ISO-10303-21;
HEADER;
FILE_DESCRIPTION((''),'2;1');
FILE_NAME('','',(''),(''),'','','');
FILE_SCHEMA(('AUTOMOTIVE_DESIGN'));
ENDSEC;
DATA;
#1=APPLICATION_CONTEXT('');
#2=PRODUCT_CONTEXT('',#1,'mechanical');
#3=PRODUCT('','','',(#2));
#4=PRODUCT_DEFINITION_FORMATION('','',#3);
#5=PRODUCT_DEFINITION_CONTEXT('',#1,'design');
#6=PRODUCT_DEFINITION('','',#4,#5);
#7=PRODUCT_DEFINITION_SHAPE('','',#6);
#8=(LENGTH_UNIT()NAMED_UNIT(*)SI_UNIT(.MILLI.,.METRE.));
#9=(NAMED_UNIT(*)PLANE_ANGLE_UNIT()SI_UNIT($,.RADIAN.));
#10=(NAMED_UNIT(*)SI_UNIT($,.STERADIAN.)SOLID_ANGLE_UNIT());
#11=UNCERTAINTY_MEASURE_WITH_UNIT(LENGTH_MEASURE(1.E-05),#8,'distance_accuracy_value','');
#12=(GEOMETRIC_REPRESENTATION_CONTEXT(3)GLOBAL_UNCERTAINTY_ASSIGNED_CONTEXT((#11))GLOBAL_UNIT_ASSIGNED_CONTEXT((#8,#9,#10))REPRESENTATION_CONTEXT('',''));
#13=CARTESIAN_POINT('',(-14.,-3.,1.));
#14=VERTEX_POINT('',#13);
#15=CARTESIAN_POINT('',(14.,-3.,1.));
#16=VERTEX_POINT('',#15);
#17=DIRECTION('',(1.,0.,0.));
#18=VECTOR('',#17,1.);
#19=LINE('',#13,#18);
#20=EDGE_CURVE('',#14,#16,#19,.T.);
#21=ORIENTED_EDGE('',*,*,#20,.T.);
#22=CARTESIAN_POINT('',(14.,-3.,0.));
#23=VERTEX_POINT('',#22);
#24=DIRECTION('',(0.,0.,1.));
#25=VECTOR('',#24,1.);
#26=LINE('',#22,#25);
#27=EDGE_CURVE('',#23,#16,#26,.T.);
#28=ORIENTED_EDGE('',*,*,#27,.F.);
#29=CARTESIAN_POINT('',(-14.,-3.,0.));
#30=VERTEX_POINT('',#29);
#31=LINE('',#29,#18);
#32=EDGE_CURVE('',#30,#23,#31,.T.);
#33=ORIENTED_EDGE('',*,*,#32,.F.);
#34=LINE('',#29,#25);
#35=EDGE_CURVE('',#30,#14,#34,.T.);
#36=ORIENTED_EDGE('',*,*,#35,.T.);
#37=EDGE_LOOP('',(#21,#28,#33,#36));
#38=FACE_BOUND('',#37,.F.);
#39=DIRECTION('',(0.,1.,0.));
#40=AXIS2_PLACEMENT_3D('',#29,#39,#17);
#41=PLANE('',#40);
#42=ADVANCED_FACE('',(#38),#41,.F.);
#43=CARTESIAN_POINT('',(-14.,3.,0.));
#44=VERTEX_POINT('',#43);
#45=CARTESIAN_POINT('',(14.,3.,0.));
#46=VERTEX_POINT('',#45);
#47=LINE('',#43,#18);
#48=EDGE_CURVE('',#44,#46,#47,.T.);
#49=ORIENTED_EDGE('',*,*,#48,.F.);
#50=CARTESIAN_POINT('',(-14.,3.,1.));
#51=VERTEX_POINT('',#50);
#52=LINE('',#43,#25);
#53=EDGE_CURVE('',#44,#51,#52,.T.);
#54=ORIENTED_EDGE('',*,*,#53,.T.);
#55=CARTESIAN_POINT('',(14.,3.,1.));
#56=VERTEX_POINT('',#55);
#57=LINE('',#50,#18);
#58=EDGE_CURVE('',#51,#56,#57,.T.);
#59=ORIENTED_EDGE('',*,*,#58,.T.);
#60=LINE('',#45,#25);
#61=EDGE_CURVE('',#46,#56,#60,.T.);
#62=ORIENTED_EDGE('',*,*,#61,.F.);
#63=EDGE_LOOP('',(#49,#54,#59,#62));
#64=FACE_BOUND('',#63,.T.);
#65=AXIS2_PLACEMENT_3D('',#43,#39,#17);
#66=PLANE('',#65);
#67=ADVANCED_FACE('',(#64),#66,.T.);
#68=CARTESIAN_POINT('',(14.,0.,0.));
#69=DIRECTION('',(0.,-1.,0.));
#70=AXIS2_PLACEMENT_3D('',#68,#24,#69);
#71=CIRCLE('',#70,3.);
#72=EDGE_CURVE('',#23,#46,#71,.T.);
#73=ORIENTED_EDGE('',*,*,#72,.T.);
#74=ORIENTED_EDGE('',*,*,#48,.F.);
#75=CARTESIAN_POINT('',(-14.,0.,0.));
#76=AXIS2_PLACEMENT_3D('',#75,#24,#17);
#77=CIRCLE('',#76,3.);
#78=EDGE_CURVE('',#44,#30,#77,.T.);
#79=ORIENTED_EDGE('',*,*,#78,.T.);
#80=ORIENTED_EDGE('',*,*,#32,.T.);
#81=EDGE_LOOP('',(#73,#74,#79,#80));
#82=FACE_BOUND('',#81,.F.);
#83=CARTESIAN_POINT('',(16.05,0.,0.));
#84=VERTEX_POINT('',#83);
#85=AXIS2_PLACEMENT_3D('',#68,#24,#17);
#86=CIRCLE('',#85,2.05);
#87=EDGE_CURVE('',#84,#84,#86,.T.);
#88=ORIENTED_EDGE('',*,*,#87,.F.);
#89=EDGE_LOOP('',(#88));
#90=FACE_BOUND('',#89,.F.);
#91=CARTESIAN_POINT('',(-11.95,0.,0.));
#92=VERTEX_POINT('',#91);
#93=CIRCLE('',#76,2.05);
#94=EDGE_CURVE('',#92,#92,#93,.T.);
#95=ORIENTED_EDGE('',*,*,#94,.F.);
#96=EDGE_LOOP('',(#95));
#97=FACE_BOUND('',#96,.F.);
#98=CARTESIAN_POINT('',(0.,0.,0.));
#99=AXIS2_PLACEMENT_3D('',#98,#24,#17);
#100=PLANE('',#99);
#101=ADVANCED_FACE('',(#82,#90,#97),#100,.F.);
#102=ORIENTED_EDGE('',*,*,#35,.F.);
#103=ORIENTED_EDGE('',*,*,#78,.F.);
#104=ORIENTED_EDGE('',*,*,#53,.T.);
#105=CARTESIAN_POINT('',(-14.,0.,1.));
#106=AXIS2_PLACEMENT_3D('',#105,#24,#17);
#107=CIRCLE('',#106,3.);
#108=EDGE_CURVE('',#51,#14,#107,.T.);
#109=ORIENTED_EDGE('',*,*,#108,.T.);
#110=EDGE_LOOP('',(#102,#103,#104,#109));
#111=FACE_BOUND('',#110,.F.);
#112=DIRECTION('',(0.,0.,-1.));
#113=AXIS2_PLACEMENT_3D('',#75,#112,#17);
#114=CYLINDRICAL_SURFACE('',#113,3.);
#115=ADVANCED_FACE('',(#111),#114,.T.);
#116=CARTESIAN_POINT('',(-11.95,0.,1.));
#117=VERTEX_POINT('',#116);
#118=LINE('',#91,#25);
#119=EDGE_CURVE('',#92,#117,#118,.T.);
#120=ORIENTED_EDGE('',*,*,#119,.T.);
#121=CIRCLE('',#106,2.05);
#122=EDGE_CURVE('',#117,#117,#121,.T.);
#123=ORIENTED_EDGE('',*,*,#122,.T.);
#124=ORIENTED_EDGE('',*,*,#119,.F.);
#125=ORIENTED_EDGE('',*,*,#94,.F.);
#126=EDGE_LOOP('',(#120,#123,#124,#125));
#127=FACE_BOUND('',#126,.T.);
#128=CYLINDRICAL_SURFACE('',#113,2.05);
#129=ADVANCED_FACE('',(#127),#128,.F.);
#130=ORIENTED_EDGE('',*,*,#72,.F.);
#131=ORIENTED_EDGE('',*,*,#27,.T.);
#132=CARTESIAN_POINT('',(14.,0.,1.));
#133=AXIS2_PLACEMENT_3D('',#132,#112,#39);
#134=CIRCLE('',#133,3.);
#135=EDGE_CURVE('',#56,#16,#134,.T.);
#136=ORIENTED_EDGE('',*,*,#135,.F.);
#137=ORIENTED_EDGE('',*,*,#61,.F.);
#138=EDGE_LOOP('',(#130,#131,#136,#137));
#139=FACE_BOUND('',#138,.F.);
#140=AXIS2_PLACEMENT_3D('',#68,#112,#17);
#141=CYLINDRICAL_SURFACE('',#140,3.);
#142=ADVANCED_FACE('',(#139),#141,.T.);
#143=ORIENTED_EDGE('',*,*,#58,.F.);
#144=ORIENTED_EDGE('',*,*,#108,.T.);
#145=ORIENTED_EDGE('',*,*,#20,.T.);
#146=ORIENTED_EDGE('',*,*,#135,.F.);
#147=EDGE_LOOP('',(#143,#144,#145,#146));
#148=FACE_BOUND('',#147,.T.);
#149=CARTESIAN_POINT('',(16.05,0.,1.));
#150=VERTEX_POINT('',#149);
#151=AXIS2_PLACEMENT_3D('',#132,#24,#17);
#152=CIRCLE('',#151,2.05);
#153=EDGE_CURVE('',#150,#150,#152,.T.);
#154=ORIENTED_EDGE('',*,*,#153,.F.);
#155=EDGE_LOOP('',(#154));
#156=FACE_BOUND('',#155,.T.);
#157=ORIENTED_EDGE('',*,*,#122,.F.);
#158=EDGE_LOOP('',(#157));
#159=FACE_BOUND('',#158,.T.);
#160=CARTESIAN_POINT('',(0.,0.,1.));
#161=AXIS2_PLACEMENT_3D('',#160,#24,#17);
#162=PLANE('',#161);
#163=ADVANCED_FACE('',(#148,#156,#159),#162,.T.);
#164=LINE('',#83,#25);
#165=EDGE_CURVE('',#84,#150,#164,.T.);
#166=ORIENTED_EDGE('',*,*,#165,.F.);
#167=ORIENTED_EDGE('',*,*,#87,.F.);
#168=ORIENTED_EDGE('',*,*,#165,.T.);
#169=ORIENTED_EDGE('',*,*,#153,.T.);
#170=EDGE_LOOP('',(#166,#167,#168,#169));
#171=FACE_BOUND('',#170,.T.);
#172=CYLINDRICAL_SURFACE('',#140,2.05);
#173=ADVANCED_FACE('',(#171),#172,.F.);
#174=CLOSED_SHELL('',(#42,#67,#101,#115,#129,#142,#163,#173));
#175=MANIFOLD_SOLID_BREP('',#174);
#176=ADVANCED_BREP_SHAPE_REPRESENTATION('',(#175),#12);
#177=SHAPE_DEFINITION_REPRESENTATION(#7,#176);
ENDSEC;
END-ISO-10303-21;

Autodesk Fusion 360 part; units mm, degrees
sketch "Sketch1" plane through (0, 0, 0) normal (0, 0, 1) x (1, 0, 0)
  circle A0 centre (14, 0) radius 2.05
  circle A1 centre (14, 0) radius 3
  circle A2 centre (-14, 0) radius 3
  circle A3 centre (-14, 0) radius 2.05
  line L0 (-14, 3) -> (14, 3)
  line L1 (-14, -3) -> (14, -3)
  line L2 (-14, 0) -> (14, 0) construction
  dimension "d1" = 4.1
  dimension "d2" = 6
  dimension "d3" = 28
  dimension "d4" = 6
  dimension "d5" = 4.1
extrude "Extrude1" add sketch "Sketch1" along normal blind 1
equation "d4 = d2"
equation "d5 = d1"
